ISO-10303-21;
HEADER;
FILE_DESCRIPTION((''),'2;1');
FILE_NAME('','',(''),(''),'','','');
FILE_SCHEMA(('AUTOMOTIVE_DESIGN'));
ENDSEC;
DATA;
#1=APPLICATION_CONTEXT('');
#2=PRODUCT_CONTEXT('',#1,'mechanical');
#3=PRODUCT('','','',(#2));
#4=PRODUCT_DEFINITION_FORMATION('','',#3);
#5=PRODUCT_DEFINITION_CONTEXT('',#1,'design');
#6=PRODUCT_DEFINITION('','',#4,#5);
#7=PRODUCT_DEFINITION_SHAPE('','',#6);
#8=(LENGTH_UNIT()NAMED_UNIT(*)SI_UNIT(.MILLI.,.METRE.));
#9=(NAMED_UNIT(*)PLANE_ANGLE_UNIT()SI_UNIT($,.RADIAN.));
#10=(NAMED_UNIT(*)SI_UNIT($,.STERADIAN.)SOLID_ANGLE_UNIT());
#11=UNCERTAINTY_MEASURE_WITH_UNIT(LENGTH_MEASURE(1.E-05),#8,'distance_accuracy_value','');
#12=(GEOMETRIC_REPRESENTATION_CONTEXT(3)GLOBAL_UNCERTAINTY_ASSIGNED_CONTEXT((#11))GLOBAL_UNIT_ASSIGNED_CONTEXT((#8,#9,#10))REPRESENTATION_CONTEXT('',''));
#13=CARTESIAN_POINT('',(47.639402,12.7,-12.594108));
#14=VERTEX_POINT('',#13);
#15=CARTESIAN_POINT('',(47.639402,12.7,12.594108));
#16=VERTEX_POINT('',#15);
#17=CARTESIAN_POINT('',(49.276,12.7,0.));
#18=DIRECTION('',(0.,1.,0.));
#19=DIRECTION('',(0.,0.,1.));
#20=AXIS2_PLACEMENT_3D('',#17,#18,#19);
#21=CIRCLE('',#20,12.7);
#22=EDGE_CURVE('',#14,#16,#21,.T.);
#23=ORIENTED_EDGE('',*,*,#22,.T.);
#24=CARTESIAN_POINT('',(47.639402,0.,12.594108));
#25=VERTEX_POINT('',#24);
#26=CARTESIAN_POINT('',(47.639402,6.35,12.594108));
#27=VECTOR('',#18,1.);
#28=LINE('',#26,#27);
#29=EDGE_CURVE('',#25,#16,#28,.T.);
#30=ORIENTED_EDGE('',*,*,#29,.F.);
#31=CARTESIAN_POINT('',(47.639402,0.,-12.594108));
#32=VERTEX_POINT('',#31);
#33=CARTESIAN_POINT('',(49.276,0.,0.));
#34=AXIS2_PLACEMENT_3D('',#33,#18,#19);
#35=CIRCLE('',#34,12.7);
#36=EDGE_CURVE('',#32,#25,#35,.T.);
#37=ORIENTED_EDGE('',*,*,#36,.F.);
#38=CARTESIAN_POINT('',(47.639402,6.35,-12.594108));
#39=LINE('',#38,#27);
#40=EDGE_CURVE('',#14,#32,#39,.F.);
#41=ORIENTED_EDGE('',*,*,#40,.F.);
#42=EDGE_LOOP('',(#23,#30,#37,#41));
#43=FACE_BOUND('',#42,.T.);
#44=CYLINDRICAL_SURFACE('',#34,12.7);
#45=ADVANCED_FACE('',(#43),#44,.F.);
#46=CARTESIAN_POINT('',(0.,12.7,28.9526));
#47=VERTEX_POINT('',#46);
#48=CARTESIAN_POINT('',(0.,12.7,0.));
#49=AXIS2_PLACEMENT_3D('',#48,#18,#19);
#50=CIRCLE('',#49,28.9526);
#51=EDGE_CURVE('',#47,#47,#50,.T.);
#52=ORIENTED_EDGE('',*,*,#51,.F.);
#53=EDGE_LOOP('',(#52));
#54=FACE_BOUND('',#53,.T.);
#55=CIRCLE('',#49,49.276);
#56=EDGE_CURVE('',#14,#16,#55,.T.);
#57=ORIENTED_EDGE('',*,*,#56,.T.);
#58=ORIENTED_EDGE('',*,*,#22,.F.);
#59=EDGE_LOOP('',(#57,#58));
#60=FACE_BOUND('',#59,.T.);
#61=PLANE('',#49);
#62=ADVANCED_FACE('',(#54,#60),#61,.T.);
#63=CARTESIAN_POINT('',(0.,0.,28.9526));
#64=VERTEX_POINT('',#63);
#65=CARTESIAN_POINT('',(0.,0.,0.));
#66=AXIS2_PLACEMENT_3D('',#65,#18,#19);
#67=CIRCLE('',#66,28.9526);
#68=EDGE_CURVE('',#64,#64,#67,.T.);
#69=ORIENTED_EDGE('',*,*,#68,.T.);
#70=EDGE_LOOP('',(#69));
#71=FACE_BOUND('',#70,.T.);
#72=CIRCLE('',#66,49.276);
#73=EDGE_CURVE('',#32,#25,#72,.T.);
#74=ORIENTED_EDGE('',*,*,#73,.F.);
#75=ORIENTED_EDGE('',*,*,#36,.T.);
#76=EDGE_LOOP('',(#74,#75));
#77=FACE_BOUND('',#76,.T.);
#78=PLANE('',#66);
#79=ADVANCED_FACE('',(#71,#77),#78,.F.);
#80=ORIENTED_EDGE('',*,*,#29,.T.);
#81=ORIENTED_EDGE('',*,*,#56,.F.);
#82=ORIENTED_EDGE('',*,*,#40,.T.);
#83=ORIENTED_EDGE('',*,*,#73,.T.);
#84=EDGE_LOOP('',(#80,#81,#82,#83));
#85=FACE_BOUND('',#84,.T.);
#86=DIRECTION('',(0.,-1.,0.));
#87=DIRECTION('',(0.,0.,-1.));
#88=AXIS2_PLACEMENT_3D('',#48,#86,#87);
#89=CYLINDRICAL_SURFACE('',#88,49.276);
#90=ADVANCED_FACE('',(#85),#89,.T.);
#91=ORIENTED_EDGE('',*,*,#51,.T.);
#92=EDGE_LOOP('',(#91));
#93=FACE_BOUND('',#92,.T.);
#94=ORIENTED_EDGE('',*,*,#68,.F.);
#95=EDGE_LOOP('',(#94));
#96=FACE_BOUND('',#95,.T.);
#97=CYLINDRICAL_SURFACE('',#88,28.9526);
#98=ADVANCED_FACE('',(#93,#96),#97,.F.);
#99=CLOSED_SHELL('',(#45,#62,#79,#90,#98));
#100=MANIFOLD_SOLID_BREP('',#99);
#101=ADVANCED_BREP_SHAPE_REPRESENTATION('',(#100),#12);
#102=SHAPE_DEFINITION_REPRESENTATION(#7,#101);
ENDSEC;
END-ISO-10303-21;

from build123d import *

# Parameters (mm, degrees)
SKETCH1_R           = 49.276
BOSS_EXTRUDE1_DEPTH = 12.7
SKETCH1_10_R        = 28.952599956
CUT_EXTRUDE2_DEPTH  = 13.7
SKETCH2_R           = 12.7
CUT_EXTRUDE3_DEPTH  = 13.7


with BuildPart() as part:
    # Sketch1 → Boss-Extrude1 (new body)
    with BuildSketch(Plane(origin=(0, 0, 0), x_dir=(1, 0, 0), z_dir=(0, 1, 0))):
        Circle(SKETCH1_R)
    extrude(amount=BOSS_EXTRUDE1_DEPTH)

    # Sketch1<10> → Cut-Extrude2 (cut, through all)
    with BuildSketch(Plane(origin=(0, 0, 0), x_dir=(1, 0, 0), z_dir=(0, 1, 0))):
        Circle(SKETCH1_10_R)
    extrude(amount=CUT_EXTRUDE2_DEPTH, mode=Mode.SUBTRACT)

    # Sketch2 → Cut-Extrude3 (cut, through all)
    with BuildSketch(Plane(origin=(0, 12.7, 0), x_dir=(1, 0, 0), z_dir=(0, 1, 0))):
        with Locations((49.276, 0)):
            Circle(SKETCH2_R)
    extrude(amount=-CUT_EXTRUDE3_DEPTH, mode=Mode.SUBTRACT)


solid = part.part
